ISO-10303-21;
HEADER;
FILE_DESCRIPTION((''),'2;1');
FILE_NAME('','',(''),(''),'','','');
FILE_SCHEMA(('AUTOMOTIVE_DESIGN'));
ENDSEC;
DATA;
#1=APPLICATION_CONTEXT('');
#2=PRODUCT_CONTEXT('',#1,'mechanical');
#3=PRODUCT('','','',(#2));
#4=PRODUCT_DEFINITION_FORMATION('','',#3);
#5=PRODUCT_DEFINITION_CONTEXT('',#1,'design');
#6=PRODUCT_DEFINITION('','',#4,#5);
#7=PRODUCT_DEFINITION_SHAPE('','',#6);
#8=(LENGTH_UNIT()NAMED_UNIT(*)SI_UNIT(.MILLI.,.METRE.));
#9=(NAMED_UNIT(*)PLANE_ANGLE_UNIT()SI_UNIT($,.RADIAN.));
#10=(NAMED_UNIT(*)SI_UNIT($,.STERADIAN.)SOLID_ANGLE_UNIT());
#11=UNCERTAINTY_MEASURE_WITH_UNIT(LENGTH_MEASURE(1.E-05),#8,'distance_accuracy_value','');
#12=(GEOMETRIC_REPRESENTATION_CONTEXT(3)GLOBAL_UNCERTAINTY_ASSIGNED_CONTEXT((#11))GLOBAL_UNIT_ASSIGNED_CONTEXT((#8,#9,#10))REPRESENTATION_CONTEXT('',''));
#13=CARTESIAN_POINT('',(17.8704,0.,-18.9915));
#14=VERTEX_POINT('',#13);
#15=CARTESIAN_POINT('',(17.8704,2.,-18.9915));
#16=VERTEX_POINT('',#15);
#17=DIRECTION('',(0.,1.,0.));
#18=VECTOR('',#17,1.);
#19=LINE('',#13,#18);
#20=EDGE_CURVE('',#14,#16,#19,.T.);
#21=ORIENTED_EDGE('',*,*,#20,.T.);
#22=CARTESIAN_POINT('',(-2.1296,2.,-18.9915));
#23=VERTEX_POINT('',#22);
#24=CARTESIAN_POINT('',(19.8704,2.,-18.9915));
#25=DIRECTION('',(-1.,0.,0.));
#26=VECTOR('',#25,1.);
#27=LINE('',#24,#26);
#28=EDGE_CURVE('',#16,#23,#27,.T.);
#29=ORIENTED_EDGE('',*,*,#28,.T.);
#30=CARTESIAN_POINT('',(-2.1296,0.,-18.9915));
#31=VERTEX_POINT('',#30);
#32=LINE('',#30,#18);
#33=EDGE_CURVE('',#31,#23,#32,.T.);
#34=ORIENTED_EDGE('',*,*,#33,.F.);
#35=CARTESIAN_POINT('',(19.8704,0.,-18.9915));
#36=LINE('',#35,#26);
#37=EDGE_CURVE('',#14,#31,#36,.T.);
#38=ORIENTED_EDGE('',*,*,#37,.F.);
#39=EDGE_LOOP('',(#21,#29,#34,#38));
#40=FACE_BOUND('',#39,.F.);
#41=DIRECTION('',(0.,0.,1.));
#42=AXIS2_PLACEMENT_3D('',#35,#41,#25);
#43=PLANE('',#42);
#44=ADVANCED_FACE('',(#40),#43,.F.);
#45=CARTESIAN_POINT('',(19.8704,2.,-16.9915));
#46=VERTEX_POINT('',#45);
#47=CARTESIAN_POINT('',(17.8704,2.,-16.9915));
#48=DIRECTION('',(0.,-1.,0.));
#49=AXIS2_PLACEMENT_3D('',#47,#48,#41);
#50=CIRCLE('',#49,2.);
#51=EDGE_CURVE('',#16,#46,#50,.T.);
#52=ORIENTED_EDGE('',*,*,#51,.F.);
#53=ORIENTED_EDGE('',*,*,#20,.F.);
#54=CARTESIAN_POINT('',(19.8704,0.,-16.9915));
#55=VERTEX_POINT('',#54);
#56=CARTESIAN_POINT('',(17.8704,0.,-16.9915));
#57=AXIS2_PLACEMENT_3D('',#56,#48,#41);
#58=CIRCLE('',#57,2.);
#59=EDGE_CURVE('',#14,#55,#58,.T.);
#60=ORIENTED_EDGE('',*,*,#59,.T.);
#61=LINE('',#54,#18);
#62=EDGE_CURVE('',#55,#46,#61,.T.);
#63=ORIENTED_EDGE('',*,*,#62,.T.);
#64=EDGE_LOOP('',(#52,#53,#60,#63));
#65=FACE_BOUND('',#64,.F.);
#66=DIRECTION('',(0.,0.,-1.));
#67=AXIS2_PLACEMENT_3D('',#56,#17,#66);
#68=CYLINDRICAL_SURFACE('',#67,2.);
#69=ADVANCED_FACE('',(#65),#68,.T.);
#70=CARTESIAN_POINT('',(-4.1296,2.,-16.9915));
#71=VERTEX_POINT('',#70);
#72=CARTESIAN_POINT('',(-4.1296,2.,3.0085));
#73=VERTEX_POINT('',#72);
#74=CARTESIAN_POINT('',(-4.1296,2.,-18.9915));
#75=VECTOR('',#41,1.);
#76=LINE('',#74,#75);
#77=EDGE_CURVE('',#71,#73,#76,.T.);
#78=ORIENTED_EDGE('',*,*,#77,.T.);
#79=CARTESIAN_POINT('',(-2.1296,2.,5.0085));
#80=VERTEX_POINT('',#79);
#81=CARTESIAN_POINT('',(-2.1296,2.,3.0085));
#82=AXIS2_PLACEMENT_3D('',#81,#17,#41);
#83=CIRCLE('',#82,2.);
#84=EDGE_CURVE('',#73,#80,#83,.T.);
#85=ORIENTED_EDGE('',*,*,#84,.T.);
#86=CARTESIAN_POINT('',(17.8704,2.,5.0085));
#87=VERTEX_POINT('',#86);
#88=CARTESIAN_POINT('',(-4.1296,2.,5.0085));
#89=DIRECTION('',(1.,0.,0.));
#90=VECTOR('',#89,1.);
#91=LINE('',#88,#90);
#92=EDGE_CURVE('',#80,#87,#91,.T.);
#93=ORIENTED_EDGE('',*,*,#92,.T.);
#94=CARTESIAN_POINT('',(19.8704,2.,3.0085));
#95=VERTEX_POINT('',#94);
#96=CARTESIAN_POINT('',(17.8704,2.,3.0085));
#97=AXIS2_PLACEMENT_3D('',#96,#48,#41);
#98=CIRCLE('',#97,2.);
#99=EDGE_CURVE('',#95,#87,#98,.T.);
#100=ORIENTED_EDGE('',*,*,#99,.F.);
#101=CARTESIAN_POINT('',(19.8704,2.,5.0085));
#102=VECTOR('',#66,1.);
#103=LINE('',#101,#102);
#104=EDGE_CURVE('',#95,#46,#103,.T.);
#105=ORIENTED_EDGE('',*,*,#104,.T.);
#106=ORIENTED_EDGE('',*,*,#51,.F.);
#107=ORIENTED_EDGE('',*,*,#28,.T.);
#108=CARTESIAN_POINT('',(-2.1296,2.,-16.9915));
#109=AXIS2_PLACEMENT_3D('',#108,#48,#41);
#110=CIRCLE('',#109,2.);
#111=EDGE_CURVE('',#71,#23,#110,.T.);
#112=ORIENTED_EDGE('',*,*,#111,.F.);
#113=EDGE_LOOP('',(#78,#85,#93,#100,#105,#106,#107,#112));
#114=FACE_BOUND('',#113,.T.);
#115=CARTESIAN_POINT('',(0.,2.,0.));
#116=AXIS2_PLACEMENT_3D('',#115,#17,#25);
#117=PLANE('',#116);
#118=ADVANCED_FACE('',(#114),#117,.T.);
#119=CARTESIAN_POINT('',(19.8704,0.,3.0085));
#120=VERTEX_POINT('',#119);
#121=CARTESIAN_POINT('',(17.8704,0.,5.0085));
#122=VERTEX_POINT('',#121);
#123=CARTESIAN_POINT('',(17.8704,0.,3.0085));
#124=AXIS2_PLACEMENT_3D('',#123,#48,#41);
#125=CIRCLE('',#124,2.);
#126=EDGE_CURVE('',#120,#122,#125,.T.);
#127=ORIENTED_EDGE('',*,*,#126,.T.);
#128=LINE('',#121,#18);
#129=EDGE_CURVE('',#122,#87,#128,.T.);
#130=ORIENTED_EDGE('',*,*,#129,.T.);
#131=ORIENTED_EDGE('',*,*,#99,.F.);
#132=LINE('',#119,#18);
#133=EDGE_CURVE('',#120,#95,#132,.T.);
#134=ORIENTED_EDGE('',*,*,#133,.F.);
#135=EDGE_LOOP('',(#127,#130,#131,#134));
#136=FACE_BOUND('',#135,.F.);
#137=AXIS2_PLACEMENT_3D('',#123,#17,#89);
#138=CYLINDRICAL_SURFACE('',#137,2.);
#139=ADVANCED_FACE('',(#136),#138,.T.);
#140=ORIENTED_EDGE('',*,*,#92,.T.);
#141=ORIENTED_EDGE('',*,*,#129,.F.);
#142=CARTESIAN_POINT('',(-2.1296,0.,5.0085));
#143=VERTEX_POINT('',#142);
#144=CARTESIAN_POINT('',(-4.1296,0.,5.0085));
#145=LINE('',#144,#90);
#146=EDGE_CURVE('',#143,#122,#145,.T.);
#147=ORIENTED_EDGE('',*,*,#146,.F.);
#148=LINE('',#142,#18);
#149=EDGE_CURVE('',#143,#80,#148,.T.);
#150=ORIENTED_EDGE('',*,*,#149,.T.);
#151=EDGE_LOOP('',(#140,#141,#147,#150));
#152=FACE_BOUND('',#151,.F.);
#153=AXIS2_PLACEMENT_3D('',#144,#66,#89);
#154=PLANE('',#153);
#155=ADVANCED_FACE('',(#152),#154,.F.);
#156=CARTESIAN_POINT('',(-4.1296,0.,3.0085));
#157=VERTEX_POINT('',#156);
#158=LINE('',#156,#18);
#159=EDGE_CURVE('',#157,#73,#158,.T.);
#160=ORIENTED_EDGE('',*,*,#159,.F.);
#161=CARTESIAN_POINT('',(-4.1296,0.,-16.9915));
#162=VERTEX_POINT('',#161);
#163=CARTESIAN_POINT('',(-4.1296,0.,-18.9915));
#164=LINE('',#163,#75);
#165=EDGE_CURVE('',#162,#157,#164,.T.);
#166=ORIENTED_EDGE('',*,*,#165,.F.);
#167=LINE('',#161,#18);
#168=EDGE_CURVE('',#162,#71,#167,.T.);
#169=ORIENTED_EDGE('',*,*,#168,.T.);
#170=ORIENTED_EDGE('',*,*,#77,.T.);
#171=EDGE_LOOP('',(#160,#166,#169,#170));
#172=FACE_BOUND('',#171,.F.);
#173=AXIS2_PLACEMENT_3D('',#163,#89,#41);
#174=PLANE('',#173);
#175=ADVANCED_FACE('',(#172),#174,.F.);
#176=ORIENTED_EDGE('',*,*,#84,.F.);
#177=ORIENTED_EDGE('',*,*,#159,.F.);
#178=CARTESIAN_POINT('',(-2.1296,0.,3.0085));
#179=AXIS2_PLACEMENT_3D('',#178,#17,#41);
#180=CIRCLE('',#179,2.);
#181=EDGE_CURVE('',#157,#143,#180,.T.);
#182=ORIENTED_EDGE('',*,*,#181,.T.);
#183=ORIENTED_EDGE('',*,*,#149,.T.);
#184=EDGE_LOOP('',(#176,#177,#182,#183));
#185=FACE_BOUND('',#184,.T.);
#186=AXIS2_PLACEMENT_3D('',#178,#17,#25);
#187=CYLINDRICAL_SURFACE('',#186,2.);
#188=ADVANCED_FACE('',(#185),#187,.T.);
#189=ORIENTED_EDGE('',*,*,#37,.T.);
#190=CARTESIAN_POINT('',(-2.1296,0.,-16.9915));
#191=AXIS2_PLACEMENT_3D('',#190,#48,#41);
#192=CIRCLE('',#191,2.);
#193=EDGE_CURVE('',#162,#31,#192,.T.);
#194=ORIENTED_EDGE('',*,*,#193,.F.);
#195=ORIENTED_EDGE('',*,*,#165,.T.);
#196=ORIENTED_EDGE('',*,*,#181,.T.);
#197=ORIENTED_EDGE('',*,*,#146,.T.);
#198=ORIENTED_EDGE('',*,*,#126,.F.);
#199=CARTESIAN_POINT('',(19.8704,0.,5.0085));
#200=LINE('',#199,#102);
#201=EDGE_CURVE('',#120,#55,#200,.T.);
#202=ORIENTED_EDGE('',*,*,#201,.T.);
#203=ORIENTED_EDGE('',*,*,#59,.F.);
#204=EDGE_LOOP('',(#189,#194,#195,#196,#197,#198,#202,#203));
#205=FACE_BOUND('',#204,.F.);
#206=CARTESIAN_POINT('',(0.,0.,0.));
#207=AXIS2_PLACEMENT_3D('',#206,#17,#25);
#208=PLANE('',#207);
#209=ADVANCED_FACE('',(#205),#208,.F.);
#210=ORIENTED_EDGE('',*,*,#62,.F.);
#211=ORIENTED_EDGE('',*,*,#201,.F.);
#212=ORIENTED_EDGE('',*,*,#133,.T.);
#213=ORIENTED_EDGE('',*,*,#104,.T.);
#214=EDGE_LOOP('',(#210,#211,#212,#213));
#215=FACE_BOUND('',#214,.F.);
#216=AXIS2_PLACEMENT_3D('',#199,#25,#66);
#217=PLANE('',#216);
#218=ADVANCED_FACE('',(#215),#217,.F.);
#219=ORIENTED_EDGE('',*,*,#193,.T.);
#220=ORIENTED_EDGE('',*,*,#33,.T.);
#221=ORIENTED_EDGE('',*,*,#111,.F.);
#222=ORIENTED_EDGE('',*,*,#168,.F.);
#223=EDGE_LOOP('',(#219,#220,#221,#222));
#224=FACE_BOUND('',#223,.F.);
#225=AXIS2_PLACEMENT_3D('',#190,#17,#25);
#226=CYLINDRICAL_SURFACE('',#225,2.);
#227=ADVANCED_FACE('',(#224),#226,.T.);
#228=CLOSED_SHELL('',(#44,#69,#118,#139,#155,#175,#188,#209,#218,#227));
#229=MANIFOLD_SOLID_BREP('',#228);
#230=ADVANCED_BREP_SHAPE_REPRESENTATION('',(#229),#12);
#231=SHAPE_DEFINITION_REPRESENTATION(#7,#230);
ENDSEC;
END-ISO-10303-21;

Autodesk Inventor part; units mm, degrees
ref_plane "YZ Plane" through (0, 0, 0) normal (1, 0, 0) x (0, 1, 0)
ref_plane "XZ Plane" through (0, 0, 0) normal (0, 1, 0) x (-1, 0, 0)
ref_plane "XY Plane" through (0, 0, 0) normal (0, 0, 1) x (1, 0, 0)
sketch "Sketch1" plane through (0, 0, 0) normal (0, 1, 0) x (-1, 0, 0)
  line L0 (4.1296, 5.0085) -> (-19.8704, 5.0085)
  line L1 (-19.8704, 5.0085) -> (-19.8704, -18.9915)
  line L2 (-19.8704, -18.9915) -> (4.1296, -18.9915)
  line L3 (4.1296, -18.9915) -> (4.1296, 5.0085)
  point P0 (0, 0)
  dimension "d0" = 24
  dimension "d1" = 24
extrude "Extrusion1" add sketch "Sketch1" along normal blind 2
fillet "Fillet1" radius 2 4 edges at (19.8704, 1, 5.0085) (19.8704, 1, -18.9915) (-4.1296, 1, -18.9915) (-4.1296, 1, 5.0085)
properties part number "pcbe"
